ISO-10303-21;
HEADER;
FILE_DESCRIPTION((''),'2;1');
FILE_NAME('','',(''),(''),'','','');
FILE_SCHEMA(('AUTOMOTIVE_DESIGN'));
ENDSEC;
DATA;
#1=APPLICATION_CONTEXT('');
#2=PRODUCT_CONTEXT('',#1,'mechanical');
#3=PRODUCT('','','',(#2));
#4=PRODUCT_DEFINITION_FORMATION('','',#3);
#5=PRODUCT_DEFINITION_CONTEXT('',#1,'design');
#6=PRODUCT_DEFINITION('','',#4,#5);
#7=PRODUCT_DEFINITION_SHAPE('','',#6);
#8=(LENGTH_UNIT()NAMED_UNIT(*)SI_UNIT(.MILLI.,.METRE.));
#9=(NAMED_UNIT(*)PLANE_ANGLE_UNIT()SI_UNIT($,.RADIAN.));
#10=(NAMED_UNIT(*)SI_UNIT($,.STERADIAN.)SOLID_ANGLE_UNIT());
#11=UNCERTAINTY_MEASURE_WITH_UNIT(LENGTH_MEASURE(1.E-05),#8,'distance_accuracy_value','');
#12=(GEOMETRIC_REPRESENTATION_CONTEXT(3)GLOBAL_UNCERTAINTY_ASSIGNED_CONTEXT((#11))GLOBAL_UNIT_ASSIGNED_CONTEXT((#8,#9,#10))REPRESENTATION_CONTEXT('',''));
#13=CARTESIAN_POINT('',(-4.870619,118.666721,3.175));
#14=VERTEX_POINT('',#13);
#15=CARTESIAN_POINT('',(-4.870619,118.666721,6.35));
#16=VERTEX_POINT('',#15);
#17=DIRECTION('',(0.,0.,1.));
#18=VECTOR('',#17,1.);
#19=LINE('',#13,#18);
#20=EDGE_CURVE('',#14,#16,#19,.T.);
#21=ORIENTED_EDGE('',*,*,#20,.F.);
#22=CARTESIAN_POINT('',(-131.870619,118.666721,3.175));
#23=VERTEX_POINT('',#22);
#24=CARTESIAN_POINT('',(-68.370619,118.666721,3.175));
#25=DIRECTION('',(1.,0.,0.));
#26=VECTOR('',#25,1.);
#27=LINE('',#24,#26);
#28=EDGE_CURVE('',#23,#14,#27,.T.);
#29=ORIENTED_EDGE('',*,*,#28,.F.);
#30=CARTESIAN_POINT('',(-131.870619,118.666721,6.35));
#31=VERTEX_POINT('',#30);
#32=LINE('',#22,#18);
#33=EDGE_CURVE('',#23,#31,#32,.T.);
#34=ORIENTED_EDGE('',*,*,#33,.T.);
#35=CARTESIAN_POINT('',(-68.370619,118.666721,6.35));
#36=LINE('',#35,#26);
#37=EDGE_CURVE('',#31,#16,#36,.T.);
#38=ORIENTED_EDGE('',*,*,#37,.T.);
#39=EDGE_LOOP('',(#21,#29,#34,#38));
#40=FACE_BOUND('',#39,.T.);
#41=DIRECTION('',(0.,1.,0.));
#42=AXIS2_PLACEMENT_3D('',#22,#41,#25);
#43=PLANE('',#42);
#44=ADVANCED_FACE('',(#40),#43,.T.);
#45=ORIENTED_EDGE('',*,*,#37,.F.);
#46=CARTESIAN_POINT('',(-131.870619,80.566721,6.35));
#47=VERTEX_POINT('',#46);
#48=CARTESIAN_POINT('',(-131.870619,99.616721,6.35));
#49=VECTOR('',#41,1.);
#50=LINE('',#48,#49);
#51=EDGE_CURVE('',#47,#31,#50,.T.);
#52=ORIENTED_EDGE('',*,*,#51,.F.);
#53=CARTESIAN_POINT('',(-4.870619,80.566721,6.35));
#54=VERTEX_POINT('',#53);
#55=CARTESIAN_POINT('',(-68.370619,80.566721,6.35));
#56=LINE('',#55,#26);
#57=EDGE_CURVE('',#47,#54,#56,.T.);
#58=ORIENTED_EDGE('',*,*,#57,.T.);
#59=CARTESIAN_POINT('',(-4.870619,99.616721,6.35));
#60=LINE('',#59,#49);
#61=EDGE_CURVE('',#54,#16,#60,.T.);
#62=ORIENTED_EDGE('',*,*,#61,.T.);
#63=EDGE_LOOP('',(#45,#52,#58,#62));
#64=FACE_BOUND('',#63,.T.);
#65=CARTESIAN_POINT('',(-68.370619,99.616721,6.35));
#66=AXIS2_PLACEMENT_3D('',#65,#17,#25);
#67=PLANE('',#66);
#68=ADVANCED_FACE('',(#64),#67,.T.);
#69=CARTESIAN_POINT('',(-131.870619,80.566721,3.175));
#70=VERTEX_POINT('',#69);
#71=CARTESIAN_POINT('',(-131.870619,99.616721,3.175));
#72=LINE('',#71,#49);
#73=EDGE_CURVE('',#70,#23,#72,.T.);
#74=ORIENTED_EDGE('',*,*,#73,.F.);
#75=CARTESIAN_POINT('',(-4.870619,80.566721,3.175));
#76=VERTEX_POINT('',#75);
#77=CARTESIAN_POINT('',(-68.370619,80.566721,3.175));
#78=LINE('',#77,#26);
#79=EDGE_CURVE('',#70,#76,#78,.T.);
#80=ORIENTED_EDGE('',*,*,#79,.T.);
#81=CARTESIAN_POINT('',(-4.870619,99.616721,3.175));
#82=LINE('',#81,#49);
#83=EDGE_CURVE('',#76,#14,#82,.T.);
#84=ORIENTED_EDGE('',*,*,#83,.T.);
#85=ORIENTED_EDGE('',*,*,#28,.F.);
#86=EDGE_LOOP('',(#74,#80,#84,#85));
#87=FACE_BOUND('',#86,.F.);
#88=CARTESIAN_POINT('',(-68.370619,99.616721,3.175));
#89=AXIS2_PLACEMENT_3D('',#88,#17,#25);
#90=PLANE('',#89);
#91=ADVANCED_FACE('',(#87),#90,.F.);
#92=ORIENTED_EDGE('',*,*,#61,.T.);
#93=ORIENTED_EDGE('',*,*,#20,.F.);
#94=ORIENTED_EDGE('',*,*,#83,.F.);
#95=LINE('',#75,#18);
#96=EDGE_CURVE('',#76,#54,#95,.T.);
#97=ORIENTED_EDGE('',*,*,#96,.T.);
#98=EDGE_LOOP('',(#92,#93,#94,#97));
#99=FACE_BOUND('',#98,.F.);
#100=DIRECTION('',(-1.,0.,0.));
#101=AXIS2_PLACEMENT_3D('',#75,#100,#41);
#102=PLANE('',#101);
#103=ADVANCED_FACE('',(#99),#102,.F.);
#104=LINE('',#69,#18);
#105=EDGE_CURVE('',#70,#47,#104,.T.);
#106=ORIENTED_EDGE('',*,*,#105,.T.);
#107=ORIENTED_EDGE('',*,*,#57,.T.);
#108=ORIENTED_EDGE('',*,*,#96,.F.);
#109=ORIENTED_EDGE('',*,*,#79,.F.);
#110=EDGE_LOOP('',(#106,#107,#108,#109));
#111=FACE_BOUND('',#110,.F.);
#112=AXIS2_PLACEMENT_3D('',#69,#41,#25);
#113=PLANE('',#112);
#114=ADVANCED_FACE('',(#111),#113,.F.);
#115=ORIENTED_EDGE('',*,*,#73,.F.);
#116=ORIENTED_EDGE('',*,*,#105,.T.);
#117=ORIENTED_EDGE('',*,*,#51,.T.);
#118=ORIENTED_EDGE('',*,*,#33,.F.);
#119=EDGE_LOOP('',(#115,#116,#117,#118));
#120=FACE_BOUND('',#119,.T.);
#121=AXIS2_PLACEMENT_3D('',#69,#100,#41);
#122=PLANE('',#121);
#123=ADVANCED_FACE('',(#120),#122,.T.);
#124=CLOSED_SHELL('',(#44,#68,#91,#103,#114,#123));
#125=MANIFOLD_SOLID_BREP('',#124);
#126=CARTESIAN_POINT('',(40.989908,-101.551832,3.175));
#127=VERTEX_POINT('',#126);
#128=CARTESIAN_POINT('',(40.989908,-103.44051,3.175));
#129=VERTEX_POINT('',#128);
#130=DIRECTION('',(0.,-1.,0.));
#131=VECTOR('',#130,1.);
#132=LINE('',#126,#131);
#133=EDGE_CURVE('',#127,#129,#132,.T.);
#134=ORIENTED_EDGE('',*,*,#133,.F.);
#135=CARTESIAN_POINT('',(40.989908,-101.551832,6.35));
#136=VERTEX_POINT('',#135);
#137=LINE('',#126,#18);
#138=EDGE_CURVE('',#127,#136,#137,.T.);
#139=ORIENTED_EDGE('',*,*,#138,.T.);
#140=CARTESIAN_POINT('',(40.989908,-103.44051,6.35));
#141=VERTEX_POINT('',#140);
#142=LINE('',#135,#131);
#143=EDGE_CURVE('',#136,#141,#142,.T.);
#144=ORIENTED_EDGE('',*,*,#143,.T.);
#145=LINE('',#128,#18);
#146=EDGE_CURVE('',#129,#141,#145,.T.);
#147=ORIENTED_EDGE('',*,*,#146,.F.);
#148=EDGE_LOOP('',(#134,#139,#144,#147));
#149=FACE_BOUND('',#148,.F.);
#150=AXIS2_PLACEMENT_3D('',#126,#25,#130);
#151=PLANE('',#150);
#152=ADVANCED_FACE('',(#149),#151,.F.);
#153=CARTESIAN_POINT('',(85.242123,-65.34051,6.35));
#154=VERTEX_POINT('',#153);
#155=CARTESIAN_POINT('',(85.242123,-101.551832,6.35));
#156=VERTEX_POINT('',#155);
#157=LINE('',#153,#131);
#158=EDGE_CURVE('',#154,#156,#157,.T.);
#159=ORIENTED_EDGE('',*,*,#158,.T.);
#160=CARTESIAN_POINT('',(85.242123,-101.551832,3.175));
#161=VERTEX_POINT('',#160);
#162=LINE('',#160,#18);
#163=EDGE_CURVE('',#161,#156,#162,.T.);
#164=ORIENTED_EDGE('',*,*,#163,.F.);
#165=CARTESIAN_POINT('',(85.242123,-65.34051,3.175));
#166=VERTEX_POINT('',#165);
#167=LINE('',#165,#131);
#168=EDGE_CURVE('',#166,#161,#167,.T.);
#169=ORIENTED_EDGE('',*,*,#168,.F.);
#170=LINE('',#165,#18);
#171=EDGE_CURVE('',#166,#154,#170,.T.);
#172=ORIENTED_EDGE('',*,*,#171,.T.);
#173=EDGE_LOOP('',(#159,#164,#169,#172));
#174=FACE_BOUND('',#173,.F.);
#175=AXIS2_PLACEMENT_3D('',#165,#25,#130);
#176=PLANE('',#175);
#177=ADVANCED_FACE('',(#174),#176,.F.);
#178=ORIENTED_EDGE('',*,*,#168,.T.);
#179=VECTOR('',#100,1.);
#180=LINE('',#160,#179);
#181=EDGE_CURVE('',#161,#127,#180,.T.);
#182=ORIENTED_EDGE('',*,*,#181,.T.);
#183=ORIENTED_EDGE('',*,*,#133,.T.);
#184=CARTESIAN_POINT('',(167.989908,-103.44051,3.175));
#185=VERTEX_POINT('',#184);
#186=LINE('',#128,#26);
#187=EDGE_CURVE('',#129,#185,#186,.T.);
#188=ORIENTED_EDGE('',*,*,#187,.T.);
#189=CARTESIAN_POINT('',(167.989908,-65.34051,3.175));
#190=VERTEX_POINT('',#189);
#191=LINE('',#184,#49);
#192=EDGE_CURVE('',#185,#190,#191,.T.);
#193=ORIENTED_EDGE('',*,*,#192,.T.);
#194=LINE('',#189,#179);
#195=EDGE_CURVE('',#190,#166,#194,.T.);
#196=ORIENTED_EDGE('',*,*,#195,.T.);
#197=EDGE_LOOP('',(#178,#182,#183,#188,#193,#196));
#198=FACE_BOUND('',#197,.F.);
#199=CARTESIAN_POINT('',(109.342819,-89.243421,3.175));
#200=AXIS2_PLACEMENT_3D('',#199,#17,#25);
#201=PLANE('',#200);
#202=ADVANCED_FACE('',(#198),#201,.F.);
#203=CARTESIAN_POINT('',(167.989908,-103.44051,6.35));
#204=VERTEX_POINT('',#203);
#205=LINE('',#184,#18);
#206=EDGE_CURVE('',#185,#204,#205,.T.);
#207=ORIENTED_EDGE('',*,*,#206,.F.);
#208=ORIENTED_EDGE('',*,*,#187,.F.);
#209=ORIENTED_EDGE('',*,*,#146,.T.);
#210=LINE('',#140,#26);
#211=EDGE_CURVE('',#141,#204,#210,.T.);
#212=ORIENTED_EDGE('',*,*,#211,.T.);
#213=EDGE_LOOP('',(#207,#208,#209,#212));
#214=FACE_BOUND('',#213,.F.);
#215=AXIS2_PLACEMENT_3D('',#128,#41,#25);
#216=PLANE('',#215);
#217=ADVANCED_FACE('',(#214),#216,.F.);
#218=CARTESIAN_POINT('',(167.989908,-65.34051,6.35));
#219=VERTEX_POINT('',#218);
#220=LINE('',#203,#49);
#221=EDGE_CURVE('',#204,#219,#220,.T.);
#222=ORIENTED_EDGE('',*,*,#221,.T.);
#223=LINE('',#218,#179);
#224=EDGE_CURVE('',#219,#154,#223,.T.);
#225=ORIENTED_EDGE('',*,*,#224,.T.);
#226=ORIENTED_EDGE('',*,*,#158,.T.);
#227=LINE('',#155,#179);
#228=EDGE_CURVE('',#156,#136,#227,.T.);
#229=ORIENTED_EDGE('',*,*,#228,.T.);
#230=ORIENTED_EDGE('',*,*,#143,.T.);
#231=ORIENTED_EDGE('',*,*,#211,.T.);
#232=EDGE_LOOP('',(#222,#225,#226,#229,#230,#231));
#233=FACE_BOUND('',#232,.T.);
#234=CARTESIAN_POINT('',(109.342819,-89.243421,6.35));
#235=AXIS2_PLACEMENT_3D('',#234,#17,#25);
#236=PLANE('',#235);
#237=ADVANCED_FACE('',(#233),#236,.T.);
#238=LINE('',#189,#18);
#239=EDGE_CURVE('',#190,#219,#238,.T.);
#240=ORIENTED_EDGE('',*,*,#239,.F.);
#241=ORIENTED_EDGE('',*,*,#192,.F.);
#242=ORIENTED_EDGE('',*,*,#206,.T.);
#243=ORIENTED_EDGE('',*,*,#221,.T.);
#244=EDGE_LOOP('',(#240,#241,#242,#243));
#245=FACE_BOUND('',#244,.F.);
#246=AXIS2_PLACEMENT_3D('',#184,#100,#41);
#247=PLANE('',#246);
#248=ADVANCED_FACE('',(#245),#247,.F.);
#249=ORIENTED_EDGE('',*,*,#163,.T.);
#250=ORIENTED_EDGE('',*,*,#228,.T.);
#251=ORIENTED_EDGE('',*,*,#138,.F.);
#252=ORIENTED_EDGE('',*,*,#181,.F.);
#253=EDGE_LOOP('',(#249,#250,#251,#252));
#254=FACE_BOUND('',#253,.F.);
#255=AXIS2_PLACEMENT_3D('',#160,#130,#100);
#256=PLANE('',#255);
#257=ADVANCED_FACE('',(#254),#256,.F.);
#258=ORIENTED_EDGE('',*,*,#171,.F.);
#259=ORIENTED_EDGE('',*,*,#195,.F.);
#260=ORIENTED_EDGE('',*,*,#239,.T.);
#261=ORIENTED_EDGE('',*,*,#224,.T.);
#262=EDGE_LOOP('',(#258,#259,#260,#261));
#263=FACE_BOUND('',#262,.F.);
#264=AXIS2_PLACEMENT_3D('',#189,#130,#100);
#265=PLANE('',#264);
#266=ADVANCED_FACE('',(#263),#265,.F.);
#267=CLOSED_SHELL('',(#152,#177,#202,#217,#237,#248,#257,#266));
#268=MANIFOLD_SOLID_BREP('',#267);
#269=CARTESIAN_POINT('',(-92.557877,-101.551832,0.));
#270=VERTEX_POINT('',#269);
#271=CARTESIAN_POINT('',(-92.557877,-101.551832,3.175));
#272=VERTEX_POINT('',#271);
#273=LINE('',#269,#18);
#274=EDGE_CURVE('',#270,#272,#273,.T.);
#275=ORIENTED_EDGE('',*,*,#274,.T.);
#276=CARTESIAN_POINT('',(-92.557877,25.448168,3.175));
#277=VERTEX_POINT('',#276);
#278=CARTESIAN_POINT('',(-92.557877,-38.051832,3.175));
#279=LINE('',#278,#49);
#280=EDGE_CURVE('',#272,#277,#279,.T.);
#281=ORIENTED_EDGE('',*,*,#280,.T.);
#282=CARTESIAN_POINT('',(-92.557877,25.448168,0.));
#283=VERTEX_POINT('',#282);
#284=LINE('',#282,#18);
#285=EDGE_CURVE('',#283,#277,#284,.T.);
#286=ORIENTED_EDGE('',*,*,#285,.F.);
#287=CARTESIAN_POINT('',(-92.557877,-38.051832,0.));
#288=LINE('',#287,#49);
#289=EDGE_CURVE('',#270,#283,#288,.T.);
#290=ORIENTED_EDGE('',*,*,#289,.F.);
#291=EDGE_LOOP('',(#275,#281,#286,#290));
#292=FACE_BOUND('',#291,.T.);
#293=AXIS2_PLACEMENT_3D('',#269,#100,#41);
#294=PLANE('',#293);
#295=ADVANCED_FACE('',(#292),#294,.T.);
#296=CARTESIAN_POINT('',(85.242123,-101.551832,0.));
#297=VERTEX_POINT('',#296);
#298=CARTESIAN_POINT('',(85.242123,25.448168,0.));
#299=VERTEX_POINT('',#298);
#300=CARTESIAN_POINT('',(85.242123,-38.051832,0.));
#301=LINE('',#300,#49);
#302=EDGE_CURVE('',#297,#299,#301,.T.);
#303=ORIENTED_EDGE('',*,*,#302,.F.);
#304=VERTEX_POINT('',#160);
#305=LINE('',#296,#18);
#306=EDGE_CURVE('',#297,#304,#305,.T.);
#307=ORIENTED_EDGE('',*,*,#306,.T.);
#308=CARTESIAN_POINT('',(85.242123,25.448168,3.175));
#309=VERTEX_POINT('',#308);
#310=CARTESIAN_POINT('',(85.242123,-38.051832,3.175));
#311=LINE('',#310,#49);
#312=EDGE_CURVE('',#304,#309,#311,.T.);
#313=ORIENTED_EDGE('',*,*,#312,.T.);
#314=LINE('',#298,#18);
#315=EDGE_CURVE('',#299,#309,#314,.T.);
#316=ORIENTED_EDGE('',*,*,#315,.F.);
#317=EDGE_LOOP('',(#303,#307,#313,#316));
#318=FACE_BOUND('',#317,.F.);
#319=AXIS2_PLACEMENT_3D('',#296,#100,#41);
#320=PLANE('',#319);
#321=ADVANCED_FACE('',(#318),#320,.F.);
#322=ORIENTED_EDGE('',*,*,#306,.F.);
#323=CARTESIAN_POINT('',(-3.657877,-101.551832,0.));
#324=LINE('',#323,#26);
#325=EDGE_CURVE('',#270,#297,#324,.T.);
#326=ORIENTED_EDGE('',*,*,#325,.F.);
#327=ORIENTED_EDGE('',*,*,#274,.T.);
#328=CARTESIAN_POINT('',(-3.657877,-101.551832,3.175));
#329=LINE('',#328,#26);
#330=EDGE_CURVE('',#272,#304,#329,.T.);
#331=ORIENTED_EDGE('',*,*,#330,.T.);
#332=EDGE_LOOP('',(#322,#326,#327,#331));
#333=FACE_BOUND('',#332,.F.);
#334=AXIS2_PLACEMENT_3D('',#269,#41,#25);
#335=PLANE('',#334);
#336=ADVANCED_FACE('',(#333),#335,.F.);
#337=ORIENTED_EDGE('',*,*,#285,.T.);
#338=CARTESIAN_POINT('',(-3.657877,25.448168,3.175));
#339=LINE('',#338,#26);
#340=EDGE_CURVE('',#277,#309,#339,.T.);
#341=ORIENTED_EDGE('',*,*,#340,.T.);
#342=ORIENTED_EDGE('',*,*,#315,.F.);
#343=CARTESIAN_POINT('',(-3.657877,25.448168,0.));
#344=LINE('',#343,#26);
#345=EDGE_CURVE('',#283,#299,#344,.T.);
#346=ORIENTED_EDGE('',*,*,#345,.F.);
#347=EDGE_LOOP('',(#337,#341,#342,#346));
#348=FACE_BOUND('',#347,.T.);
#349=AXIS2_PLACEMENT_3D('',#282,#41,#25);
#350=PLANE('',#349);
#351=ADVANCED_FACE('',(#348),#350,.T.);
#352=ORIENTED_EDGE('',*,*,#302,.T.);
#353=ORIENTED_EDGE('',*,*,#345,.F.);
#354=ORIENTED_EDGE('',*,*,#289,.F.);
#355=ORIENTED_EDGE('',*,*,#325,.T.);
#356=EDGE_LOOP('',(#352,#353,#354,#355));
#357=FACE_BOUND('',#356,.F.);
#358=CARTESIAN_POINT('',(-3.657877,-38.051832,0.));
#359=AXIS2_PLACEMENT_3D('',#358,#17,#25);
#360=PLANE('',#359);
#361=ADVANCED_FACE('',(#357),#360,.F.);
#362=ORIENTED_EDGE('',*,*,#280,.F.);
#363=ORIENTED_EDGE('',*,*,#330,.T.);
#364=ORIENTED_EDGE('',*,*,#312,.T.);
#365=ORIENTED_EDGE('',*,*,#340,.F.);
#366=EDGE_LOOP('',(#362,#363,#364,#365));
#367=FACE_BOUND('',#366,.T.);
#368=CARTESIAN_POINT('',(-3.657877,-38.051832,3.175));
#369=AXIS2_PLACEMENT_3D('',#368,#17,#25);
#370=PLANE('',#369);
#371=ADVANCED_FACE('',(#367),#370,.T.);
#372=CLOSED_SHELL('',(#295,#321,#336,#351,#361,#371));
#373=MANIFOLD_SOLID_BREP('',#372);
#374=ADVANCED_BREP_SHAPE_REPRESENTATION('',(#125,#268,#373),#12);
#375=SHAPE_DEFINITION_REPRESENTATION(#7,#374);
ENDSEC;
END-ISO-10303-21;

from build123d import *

# Parameters (mm, degrees)
F0_W     = 177.8
F0_H     = 127
F1_DEPTH = 3.175
F4_DEPTH = 3.175
F5_W     = 127
F5_H     = 38.1
F6_DEPTH = 3.175


with BuildPart() as f1:
    # F0 (on Top) → F1 (new body)
    with BuildSketch(Plane.XY):
        with Locations((-3.657877, -38.051832)):
            Rectangle(F0_W, F0_H)
    extrude(amount=F1_DEPTH)


with BuildPart() as f4:
    # F3 (on face) → F4 (new body)
    with BuildSketch(Plane.XY.offset(3.175)):
        Polygon((167.989908, -65.34051), (85.242123, -65.34051), (85.242123, -101.551832), (40.989908, -101.551832), (40.989908, -103.44051), (167.989908, -103.44051), align=None)
    extrude(amount=F4_DEPTH)


with BuildPart() as f6:
    # F5 (on face) → F6 (new body)
    with BuildSketch(Plane.XY.offset(3.175)):
        with Locations((-68.370619, 99.616721)):
            Rectangle(F5_W, F5_H)
    extrude(amount=F6_DEPTH)


solid = Compound([f1.part, f4.part, f6.part])
